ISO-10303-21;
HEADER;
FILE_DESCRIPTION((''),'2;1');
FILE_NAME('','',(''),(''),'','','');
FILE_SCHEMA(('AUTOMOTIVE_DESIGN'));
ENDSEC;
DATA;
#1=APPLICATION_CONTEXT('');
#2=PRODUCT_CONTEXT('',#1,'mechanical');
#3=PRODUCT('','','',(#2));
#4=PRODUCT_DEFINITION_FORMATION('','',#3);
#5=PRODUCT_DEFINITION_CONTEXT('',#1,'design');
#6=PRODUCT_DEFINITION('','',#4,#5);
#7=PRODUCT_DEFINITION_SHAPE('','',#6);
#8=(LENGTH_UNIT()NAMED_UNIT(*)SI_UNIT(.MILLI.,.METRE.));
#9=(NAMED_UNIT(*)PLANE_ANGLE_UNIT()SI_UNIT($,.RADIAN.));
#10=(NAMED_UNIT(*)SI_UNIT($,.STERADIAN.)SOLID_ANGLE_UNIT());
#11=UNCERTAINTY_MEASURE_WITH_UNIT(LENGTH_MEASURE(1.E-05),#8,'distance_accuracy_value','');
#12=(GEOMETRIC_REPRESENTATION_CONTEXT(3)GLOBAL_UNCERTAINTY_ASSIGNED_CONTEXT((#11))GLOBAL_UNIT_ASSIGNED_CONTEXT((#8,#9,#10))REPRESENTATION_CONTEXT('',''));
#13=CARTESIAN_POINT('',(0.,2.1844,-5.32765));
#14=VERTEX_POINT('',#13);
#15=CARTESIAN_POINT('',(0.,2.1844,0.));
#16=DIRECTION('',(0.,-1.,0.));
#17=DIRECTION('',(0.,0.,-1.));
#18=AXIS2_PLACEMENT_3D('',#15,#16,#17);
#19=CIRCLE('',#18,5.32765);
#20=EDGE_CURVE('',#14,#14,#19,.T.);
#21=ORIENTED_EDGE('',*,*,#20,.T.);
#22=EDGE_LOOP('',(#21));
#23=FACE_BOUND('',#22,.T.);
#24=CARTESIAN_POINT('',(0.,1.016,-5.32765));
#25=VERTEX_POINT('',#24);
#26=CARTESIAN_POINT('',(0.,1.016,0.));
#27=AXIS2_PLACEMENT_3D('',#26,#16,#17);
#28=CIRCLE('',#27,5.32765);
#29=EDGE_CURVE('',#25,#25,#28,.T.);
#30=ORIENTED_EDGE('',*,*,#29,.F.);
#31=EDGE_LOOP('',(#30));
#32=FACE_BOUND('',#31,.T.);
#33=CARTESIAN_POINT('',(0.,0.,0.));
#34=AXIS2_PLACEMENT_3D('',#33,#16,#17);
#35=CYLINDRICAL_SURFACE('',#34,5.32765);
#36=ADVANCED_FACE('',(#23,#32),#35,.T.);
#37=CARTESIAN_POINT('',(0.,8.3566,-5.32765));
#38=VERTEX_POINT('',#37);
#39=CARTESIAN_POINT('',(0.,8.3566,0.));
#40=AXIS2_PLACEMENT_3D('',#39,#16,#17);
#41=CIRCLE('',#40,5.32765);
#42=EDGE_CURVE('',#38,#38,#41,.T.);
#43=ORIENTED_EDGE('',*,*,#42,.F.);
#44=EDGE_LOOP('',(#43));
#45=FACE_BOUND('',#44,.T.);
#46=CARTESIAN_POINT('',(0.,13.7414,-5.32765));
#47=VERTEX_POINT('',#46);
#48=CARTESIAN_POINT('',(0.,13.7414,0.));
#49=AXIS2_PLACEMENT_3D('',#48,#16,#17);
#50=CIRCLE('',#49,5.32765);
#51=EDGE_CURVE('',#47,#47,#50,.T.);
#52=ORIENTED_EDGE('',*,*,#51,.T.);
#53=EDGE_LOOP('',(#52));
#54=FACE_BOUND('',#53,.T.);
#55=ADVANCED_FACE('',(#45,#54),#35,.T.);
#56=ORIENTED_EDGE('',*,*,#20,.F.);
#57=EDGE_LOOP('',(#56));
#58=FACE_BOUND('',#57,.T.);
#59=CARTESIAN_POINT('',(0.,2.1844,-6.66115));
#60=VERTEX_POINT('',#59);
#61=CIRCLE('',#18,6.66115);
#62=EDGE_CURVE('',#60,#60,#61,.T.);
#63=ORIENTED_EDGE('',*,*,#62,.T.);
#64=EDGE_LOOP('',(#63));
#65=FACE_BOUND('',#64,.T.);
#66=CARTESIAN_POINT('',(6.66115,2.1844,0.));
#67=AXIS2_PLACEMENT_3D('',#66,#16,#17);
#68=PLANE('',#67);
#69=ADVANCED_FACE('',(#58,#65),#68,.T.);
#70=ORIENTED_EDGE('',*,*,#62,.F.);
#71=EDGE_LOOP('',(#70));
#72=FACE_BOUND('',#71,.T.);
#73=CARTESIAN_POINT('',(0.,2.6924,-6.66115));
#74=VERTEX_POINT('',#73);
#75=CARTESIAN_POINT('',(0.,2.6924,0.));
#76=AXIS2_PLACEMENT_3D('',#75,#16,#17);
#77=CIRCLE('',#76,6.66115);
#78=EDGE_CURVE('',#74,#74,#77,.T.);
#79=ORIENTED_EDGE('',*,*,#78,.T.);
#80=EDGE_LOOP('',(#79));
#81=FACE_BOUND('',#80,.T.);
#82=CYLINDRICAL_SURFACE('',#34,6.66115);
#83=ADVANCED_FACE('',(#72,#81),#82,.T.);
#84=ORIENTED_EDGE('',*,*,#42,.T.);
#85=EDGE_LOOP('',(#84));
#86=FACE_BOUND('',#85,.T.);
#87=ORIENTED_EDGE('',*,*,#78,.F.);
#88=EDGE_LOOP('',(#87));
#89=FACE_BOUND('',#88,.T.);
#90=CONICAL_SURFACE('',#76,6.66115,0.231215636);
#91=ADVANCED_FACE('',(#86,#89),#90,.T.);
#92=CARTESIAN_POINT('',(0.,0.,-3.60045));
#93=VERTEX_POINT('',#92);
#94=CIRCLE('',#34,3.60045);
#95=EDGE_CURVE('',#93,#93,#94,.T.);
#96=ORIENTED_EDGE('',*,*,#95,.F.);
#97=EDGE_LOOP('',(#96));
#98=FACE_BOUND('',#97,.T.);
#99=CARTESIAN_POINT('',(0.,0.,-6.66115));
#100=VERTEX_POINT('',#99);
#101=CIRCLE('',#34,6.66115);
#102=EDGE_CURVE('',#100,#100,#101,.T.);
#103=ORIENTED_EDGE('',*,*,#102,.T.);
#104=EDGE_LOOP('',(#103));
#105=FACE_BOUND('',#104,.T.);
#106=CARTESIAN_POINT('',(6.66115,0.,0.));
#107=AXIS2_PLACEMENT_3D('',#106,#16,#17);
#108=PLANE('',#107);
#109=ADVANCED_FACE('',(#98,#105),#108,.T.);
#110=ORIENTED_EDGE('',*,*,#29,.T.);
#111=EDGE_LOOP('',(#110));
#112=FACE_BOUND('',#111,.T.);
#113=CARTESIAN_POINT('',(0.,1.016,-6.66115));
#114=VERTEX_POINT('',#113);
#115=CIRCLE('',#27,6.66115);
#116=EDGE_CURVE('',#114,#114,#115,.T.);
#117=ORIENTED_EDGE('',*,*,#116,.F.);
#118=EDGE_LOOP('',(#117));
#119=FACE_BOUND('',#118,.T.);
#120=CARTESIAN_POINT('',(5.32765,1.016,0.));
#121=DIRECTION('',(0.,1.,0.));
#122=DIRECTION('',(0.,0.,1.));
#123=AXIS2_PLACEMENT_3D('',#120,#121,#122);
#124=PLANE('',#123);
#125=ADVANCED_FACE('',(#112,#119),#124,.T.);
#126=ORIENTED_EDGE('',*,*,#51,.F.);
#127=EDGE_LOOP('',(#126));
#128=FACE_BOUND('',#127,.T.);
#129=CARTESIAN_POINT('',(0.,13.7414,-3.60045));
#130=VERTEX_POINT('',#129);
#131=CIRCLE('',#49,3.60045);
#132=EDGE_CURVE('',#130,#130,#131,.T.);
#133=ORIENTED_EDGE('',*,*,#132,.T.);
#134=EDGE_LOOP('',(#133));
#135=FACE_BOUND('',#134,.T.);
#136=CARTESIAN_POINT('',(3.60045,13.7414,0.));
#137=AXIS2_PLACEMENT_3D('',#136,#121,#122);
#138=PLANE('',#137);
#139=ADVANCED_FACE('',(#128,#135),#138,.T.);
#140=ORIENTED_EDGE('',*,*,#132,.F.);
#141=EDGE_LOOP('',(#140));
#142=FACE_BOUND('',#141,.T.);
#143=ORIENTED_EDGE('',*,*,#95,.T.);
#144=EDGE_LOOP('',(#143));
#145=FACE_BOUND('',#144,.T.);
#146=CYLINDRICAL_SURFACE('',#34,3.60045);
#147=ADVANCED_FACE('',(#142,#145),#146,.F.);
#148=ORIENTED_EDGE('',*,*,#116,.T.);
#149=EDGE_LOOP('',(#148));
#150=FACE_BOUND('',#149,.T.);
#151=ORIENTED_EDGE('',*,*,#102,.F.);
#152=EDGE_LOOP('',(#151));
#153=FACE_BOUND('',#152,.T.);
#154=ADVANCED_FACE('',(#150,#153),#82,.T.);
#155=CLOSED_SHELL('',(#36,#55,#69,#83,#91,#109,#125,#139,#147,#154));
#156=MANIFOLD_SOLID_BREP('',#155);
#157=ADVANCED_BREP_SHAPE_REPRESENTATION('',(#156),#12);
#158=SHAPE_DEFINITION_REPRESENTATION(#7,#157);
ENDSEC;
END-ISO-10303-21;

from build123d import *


with BuildPart() as part:
    # Sketch1 → Revolve1 (revolve)
    with BuildSketch(Plane.XY, mode=Mode.PRIVATE) as revolve1_sk:
        Polygon((3.60045, 0), (3.60045, 13.7414), (5.32765, 13.7414), (5.32765, 8.3566), (6.66115, 2.6924), (6.66115, 2.1844), (5.32765, 2.1844), (5.32765, 1.016), (6.66115, 1.016), (6.66115, 0), align=None)
    revolve(revolve1_sk.sketch.rotate(Axis((0, 0, 0), (0, 1, 0)), 90), axis=Axis((0, 0, 0), (0, 1, 0)))


solid = part.part
